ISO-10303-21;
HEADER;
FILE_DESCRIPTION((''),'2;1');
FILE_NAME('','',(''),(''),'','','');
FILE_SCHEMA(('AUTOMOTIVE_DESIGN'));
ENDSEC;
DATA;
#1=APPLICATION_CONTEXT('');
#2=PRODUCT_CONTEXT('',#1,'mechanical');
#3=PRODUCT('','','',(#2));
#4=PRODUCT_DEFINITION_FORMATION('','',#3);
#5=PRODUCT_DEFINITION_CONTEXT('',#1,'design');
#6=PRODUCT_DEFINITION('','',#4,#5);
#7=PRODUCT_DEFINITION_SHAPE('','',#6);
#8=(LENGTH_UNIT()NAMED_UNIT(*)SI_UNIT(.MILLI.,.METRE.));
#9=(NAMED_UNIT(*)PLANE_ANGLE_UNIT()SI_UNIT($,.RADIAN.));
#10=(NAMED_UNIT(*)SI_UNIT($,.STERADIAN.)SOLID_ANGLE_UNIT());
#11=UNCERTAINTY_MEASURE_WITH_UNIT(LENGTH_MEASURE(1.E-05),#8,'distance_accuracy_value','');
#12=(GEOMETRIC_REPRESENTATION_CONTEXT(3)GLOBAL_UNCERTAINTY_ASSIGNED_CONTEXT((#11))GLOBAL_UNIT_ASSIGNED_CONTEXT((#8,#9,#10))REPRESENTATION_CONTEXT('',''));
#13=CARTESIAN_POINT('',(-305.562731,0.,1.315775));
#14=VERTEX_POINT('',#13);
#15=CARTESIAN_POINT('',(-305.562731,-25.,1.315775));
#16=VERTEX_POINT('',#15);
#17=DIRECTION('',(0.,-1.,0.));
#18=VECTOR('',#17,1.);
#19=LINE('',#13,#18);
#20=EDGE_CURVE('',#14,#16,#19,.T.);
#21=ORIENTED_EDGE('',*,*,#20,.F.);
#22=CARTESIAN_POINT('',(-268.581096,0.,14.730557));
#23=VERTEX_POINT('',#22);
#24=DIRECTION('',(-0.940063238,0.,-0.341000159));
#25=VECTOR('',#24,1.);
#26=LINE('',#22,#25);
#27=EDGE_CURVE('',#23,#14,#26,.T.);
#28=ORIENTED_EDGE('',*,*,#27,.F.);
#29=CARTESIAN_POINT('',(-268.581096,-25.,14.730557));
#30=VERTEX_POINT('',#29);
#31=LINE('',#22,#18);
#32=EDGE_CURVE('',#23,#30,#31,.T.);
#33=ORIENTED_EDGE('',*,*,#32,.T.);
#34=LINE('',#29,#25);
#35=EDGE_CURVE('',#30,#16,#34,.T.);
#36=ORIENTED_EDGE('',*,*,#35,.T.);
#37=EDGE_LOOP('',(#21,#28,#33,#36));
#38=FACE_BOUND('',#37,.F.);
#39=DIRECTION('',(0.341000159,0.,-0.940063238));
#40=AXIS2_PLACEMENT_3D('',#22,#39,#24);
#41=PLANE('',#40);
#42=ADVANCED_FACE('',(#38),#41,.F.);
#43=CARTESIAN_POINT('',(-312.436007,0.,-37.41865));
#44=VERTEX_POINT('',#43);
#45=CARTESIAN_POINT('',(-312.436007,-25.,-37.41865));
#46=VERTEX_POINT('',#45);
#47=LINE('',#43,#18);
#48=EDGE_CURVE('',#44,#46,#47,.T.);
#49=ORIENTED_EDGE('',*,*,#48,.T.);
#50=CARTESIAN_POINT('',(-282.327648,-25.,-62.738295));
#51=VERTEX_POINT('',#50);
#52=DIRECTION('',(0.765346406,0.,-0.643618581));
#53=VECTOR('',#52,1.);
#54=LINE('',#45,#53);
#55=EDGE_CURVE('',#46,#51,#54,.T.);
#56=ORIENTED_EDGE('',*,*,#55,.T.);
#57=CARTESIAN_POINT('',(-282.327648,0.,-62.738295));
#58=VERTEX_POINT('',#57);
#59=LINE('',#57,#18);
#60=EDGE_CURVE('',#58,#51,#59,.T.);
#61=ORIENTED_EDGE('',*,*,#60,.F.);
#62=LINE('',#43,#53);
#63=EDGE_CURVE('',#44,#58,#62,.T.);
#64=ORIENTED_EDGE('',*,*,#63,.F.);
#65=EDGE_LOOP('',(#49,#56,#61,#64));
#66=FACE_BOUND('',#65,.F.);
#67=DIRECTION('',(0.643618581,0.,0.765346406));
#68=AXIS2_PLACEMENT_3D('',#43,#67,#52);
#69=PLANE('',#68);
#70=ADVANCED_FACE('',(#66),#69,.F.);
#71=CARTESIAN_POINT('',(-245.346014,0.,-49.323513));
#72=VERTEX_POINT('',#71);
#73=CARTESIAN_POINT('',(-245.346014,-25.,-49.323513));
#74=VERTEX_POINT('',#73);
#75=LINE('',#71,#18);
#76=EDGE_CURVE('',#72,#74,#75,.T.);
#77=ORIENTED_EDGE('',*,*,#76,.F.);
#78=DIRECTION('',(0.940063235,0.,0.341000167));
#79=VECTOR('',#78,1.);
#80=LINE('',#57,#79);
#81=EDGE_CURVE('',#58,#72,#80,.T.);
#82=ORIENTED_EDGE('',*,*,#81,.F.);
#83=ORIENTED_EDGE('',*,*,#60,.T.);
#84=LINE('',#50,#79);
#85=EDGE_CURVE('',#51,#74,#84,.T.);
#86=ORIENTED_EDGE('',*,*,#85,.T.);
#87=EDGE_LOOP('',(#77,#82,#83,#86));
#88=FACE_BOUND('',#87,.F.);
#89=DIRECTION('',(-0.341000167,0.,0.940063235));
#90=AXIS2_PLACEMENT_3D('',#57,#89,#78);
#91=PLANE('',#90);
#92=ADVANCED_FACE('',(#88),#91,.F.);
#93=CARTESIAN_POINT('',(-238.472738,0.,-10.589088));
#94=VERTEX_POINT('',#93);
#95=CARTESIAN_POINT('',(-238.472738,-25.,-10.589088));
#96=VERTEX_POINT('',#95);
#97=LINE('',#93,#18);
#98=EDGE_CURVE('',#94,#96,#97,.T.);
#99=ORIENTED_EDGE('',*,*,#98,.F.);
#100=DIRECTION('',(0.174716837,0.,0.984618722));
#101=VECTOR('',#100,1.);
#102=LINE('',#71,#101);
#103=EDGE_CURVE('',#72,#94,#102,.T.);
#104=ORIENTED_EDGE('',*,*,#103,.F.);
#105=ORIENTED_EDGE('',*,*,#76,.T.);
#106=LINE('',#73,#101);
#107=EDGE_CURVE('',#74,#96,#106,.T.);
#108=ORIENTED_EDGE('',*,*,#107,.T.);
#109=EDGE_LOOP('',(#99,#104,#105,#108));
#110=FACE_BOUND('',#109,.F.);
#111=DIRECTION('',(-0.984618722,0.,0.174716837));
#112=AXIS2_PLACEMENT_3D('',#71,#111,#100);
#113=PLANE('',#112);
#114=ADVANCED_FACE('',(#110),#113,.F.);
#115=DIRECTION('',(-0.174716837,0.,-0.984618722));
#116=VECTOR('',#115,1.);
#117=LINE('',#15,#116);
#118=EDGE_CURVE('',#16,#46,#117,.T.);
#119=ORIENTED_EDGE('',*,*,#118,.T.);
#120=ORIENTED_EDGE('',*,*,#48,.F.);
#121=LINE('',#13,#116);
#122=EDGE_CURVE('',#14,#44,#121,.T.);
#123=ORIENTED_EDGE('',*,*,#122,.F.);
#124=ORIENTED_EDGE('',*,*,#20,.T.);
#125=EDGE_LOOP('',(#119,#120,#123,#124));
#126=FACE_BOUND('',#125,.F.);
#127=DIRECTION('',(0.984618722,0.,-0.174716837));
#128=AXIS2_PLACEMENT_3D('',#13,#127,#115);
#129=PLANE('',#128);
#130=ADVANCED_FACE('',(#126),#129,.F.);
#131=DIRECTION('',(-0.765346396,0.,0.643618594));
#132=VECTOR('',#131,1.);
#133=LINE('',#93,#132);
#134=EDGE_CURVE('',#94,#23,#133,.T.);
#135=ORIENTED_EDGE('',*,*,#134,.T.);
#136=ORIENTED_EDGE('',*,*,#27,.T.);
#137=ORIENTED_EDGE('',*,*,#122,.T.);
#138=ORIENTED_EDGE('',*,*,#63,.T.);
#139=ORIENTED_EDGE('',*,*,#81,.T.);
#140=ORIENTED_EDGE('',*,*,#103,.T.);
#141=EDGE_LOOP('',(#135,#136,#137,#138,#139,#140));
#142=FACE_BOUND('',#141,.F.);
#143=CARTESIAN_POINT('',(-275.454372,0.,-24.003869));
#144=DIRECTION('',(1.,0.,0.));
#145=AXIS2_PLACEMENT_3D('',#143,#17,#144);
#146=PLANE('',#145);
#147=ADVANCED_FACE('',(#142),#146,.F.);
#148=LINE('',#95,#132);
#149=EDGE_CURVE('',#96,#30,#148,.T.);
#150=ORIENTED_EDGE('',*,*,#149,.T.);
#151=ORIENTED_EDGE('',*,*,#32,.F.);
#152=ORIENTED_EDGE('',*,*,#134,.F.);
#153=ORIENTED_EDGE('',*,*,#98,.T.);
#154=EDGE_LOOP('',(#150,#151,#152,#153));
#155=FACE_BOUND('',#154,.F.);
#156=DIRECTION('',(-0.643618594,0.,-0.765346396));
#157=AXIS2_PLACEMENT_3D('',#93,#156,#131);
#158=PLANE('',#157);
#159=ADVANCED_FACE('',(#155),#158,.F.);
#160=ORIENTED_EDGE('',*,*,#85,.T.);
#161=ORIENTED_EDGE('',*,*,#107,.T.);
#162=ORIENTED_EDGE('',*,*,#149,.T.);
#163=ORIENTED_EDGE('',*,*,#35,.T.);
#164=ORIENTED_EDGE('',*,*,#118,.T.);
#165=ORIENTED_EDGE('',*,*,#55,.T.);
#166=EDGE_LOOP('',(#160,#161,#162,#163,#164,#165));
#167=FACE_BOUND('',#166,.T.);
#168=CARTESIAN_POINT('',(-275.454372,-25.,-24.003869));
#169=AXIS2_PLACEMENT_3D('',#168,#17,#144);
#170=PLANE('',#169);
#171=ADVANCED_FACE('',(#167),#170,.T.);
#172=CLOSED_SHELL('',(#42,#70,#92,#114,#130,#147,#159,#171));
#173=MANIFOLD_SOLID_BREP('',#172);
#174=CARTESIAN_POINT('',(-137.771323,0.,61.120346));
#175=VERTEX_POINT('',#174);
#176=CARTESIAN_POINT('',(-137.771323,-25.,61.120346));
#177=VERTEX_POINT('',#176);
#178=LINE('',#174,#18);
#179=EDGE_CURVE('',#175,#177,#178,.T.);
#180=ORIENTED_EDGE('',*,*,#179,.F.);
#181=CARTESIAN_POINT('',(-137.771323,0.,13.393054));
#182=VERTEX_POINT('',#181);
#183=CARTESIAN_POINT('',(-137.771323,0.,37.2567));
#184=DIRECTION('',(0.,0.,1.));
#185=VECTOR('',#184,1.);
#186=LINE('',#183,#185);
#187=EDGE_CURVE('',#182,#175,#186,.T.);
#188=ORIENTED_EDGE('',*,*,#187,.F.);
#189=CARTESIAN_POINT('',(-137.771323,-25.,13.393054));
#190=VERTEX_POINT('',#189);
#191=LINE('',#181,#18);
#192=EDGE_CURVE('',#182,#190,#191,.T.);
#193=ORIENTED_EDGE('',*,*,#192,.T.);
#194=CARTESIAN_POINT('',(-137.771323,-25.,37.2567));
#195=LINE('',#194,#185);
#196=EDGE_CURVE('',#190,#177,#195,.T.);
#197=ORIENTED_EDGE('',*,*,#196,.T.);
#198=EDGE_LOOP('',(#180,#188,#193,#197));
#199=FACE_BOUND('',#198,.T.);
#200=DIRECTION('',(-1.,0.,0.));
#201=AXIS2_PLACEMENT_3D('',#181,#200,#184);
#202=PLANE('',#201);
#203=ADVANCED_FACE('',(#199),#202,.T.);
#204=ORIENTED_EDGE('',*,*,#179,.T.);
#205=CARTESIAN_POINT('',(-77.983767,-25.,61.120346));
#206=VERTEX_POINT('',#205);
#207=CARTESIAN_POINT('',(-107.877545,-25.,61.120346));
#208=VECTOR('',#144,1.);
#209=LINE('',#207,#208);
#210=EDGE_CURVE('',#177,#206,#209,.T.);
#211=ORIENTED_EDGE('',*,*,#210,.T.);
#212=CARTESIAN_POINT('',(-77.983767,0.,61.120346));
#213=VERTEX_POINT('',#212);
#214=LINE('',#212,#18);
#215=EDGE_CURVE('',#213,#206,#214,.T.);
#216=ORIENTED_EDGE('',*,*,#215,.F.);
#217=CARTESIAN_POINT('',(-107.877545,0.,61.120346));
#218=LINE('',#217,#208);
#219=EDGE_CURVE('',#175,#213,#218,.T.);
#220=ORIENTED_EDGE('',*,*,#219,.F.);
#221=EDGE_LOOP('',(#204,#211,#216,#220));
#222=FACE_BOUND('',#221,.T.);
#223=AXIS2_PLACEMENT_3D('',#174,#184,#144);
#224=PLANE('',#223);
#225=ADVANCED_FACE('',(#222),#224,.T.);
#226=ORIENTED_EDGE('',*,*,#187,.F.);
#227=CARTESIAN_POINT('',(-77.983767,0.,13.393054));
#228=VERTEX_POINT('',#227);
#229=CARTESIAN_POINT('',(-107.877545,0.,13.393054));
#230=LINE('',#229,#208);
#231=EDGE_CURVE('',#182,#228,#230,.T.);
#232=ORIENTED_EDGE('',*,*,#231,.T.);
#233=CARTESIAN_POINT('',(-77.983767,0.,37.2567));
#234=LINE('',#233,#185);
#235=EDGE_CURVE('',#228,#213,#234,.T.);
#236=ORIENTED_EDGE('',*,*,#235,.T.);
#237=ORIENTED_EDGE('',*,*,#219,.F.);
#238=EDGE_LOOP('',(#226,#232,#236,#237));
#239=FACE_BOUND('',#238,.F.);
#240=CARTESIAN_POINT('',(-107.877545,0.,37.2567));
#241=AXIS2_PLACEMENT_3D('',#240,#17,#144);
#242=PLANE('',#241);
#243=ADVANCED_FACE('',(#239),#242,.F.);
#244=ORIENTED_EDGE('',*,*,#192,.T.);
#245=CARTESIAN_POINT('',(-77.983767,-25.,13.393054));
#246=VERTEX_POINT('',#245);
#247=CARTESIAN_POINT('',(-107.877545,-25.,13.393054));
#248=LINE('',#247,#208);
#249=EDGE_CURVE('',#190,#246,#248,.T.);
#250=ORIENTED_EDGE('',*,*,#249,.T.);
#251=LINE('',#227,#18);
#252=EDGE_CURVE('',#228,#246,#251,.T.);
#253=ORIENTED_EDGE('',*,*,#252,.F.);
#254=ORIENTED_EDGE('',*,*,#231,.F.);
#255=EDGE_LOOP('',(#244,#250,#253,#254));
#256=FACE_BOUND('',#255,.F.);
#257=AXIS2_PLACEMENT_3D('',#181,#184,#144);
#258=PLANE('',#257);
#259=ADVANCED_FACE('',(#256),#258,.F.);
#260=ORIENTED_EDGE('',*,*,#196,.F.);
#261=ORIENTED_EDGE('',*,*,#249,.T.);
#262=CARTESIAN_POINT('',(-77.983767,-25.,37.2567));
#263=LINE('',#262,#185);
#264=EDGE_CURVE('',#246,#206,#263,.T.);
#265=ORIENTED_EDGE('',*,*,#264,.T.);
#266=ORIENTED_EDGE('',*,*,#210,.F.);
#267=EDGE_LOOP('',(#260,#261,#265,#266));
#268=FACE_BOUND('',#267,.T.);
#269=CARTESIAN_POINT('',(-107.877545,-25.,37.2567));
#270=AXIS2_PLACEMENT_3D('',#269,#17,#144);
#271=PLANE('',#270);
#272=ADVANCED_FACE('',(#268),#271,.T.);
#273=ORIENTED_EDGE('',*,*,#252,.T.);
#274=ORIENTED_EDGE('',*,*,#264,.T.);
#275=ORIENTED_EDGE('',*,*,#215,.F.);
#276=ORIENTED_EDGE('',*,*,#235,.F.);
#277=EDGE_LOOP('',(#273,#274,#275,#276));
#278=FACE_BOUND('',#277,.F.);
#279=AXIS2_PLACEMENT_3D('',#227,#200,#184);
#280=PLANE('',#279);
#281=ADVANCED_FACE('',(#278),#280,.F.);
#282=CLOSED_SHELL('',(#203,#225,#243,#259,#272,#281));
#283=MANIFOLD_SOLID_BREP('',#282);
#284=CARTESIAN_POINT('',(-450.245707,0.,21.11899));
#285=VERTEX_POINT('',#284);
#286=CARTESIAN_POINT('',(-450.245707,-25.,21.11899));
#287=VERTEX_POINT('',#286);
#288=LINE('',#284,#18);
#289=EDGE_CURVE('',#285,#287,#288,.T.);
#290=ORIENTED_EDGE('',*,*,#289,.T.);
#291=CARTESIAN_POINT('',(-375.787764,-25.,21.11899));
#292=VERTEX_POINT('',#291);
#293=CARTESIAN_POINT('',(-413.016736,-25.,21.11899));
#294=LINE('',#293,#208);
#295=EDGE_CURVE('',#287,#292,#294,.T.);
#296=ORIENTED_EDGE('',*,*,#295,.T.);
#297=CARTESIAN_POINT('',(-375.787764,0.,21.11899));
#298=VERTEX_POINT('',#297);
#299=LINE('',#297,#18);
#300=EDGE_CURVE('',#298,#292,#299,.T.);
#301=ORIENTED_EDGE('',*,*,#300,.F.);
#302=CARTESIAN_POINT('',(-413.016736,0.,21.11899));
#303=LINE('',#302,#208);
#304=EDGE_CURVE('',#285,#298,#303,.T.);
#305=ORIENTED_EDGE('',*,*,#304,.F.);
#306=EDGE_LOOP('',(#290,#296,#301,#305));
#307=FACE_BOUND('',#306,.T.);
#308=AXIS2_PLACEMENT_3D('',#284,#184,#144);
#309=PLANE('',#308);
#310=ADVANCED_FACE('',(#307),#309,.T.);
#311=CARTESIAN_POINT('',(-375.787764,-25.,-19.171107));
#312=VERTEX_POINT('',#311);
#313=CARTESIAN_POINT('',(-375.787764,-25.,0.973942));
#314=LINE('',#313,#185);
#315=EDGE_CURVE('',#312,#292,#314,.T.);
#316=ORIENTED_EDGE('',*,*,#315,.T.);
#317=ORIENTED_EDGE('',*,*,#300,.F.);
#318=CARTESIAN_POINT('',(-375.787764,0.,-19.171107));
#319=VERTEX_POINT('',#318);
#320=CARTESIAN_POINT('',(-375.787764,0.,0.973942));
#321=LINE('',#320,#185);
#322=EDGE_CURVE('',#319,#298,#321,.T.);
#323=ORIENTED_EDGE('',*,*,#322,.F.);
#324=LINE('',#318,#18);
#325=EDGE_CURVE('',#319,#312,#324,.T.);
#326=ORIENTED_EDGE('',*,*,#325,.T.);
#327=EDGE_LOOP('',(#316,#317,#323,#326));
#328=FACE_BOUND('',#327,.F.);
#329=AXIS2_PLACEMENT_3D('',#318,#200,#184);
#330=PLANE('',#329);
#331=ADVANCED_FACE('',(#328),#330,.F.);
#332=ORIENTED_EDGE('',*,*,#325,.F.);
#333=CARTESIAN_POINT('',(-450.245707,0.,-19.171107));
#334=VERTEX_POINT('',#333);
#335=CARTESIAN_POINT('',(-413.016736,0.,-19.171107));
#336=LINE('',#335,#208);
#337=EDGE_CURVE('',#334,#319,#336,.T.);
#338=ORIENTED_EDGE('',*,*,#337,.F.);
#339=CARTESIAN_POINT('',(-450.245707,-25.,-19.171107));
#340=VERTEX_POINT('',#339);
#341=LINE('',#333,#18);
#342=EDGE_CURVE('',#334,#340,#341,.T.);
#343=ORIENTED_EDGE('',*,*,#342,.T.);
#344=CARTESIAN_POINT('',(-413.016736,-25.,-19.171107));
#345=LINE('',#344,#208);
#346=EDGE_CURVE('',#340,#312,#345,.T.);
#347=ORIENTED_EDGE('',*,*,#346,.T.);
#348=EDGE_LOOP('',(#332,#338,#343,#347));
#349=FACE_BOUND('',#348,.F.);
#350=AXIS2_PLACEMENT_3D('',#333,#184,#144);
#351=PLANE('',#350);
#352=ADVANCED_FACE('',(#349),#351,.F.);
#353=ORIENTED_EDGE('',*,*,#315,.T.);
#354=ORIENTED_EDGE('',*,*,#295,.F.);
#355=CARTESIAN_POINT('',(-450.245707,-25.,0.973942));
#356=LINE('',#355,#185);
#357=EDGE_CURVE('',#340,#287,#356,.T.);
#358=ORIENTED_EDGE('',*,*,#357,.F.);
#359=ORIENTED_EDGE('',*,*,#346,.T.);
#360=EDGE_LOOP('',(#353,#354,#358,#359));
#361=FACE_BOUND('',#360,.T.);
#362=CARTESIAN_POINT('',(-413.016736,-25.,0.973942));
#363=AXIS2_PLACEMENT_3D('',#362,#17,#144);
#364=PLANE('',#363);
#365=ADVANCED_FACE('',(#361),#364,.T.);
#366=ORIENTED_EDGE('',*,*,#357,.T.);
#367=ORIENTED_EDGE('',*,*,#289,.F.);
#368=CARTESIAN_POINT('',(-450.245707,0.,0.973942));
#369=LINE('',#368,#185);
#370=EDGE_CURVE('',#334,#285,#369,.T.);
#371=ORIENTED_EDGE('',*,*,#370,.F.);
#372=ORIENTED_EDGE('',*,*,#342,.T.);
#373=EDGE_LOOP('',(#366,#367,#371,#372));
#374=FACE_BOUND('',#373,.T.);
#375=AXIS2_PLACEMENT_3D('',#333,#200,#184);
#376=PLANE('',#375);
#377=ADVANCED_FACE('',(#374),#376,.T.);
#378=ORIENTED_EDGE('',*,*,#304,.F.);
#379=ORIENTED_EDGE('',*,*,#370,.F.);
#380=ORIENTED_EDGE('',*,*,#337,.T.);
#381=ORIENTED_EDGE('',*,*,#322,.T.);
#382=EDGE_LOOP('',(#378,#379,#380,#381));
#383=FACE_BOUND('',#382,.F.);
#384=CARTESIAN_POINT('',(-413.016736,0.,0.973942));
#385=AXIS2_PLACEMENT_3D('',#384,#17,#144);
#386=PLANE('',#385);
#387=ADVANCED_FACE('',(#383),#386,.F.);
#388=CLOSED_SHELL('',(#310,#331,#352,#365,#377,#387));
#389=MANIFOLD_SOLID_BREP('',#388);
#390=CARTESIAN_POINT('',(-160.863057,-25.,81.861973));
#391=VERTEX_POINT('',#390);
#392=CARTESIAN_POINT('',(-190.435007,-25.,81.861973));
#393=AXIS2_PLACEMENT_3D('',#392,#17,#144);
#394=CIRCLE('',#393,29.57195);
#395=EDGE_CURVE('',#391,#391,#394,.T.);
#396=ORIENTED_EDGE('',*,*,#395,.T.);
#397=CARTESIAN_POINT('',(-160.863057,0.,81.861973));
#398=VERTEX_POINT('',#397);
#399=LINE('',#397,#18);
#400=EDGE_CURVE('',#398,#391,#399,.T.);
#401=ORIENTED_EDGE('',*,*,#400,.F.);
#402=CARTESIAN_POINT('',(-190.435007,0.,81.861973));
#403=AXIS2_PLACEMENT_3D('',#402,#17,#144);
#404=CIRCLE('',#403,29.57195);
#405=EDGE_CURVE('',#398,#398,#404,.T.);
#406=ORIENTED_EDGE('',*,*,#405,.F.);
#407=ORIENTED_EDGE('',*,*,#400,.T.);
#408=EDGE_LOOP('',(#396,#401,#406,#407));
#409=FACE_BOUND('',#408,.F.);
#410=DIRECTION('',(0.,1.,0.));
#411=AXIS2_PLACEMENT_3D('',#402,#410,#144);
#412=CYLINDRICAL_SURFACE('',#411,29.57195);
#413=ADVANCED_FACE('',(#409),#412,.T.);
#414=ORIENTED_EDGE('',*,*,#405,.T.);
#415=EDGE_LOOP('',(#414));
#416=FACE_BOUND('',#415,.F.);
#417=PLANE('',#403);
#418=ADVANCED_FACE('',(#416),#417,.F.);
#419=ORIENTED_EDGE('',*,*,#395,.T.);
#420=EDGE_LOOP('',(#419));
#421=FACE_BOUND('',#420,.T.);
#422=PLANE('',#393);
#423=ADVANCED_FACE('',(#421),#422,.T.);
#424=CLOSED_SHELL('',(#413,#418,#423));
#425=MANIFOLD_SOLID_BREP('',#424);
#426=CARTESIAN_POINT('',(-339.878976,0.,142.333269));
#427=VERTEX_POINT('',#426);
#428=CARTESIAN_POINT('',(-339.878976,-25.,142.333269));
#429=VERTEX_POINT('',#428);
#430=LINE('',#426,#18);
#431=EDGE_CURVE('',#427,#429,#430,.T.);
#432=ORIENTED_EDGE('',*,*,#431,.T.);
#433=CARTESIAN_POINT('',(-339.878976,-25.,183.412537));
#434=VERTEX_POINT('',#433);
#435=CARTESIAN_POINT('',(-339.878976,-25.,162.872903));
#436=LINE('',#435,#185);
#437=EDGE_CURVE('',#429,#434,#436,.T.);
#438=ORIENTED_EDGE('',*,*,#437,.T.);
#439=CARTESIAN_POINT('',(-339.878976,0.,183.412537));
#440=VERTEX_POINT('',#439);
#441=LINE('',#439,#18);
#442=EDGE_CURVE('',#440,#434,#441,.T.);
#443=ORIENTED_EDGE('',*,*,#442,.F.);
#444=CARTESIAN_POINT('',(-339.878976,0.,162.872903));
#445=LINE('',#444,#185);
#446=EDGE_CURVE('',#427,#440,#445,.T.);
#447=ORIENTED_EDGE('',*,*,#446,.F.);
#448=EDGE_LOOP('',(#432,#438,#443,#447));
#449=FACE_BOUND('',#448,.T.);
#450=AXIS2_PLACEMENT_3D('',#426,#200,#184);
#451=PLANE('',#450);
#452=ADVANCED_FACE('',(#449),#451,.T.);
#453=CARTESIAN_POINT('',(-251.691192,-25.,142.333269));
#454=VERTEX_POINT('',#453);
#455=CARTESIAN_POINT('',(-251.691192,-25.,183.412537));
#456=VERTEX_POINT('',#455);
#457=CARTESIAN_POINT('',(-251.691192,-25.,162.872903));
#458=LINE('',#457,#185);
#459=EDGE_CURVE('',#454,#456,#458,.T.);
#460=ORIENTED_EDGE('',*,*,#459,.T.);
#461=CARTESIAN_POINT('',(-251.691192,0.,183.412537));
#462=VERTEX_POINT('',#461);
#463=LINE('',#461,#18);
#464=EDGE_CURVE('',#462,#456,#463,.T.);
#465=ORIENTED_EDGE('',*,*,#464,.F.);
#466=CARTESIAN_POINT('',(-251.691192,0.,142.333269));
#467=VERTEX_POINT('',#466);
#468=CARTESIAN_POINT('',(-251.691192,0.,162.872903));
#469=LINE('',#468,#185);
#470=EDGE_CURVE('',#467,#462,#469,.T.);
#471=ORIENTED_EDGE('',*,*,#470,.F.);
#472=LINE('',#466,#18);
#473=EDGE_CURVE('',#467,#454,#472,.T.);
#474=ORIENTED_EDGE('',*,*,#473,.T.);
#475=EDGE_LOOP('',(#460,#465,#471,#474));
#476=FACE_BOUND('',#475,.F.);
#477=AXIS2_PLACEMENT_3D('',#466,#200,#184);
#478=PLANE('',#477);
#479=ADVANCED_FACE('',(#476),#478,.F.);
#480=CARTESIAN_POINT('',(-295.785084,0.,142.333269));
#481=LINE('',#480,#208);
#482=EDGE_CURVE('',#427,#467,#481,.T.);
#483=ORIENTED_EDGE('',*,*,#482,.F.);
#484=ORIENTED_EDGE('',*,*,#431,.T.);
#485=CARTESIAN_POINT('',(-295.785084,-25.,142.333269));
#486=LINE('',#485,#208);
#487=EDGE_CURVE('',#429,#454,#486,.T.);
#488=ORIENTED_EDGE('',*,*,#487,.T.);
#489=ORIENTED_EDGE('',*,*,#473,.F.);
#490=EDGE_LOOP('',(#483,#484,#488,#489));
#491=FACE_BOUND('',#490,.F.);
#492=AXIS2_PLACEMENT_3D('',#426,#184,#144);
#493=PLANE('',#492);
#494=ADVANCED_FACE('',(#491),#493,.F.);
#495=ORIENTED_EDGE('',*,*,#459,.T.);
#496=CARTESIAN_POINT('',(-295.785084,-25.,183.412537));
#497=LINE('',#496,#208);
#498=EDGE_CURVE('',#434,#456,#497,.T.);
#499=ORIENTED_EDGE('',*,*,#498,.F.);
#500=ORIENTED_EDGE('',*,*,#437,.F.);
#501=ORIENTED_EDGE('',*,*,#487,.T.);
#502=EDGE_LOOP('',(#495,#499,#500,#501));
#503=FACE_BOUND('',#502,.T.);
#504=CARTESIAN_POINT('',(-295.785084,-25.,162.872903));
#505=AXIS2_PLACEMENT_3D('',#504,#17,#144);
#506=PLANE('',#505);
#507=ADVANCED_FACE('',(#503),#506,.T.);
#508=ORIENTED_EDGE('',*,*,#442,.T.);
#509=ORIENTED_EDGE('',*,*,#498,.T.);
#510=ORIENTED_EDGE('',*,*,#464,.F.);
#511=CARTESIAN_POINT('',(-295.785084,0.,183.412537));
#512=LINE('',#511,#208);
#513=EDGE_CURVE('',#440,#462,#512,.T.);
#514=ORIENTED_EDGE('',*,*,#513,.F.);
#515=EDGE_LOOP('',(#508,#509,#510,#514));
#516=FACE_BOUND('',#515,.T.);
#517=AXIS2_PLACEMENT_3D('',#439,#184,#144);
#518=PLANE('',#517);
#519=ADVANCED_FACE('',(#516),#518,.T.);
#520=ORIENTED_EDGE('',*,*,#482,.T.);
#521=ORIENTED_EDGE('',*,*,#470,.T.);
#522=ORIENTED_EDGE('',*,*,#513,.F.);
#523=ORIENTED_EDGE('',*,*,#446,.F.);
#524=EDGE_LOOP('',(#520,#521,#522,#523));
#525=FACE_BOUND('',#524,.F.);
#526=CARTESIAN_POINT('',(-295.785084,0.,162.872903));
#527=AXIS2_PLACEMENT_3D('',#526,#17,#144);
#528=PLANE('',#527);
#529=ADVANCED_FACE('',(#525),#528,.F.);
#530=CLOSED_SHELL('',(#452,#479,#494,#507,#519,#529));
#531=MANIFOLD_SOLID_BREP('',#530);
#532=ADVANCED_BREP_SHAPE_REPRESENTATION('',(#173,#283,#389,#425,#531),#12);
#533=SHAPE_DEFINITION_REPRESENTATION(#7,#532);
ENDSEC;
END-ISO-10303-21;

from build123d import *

# Parameters (mm, degrees)
F0_W     = 59.787556
F0_H     = 47.727292
F0_W_2   = 74.457943
F0_H_2   = 40.290097
F0_W_3   = 88.187784
F0_H_3   = 41.079268
F0_R     = 29.57195
F1_DEPTH = 25


with BuildPart() as f1:
    # F0 (on Front) → F1 (new body)
    with BuildSketch(Plane.XZ):
        with Locations((-107.877545, 37.2567)):
            Rectangle(F0_W, F0_H)
        with Locations((-413.016736, 0.973942)):
            Rectangle(F0_W_2, F0_H_2)
        with Locations((-295.785084, 162.872903)):
            Rectangle(F0_W_3, F0_H_3)
        with Locations((-190.435007, 81.861973)):
            Circle(F0_R)
        Polygon((-268.581096, 14.730557), (-305.562731, 1.315775), (-312.436007, -37.41865), (-282.327648, -62.738295), (-245.346014, -49.323513), (-238.472738, -10.589088), align=None)
    extrude(amount=F1_DEPTH)


solid = f1.part
